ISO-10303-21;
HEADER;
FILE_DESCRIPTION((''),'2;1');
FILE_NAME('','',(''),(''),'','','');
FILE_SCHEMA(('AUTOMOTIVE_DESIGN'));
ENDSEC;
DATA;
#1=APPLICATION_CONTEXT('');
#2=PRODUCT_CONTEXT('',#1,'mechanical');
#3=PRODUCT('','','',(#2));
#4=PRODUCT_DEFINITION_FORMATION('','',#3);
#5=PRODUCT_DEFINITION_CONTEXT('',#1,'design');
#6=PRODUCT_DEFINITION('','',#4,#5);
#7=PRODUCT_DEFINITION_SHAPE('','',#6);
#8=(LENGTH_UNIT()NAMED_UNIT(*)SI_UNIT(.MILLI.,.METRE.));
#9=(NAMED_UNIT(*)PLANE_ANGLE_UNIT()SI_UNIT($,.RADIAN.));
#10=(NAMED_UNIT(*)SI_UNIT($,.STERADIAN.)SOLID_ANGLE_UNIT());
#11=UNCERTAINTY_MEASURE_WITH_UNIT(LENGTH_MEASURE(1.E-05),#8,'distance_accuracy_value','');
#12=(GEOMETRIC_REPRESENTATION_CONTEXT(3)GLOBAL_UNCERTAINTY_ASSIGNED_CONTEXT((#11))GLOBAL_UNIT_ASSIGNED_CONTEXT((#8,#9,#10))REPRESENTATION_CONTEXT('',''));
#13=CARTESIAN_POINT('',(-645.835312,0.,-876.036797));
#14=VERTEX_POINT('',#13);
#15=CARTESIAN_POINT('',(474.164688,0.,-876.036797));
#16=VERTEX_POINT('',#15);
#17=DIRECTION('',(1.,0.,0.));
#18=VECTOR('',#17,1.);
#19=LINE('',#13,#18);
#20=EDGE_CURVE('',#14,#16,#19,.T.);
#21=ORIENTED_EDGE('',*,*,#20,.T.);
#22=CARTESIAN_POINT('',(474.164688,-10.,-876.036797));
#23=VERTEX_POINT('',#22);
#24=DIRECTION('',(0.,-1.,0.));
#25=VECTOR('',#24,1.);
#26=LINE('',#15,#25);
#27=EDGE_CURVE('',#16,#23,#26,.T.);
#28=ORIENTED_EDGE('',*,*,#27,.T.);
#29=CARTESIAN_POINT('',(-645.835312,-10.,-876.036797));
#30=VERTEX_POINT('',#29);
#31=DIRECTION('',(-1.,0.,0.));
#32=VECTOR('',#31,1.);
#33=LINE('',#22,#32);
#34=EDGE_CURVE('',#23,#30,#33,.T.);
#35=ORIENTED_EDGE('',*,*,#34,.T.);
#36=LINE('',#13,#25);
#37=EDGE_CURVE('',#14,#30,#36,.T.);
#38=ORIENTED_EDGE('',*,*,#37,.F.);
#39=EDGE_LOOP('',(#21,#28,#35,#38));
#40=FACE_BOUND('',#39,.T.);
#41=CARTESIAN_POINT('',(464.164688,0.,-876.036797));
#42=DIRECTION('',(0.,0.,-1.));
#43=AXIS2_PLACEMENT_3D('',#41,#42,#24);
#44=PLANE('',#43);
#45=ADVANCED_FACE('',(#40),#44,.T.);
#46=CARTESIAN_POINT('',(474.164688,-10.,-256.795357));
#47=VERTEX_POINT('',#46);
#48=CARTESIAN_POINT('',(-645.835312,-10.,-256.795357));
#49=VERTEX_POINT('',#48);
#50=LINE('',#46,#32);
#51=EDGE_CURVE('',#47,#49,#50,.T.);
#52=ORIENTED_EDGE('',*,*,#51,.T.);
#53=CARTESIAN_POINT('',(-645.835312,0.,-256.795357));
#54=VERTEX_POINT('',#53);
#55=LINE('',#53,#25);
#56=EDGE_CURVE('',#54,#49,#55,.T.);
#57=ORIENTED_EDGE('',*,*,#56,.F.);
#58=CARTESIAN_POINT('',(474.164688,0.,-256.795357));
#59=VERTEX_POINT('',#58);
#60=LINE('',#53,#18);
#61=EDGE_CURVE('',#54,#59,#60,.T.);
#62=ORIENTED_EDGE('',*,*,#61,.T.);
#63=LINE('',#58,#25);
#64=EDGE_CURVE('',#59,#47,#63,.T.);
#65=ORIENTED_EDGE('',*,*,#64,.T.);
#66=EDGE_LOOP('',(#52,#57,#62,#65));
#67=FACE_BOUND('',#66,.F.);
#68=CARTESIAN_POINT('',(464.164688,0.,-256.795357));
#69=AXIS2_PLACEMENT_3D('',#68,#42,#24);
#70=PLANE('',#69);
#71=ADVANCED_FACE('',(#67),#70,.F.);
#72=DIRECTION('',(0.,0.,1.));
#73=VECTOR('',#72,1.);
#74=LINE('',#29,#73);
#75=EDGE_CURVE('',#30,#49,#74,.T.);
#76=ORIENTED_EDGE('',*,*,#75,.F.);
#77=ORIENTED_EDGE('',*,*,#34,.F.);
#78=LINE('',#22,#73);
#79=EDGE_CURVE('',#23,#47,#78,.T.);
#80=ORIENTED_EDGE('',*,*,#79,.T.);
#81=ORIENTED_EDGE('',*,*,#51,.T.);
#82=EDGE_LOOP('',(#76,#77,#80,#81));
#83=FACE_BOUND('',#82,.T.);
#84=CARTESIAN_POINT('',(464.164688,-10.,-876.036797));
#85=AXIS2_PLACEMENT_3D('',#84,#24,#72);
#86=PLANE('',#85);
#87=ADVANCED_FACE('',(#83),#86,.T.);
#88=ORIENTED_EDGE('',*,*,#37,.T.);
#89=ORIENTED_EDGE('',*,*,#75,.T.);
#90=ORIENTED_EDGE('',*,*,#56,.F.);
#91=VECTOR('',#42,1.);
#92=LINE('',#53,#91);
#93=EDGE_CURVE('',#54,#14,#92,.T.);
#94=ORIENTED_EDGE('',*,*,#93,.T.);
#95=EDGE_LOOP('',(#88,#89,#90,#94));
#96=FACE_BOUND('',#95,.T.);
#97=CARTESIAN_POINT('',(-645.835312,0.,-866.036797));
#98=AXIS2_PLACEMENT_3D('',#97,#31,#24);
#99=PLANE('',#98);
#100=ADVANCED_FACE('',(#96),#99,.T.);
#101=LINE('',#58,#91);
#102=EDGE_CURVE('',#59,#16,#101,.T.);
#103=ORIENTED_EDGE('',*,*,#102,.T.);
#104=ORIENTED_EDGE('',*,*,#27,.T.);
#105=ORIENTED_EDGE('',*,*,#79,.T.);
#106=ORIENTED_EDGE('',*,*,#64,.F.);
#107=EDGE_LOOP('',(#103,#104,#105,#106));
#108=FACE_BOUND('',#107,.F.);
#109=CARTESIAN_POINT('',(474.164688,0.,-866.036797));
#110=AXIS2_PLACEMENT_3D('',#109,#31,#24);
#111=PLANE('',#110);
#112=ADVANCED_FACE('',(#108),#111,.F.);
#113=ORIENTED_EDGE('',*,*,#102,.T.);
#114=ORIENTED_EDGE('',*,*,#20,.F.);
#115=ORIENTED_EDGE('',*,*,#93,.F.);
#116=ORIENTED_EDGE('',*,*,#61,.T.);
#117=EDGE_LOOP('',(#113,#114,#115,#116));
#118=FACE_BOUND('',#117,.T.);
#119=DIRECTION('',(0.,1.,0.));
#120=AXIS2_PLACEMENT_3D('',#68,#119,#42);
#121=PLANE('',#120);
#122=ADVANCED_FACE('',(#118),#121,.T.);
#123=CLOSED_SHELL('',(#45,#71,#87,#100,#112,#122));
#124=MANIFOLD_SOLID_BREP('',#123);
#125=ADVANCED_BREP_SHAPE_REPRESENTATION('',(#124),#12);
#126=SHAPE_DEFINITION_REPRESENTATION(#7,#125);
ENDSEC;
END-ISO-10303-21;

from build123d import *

# Parameters (mm, degrees)
F0_W     = 1100
F0_H     = 599.24144
F1_DEPTH = 10
F2_DEPTH = 10
F3_DEPTH = 10
F4_DEPTH = 10
F5_DEPTH = 10


with BuildPart() as f1:
    # F0 (on Front) → F1 (new body)
    with BuildSketch(Plane.XZ):
        with Locations((-85.8353115618, -566.4160771686)):
            Rectangle(F0_W, F0_H)
    extrude(amount=F1_DEPTH)

    # F2 (add): a face of the model
    f2_faces = [f1.faces().sort_by_distance(p)[0] for p in [
        (-85.8353115618, -5, -266.7953571686),
    ]]
    extrude(f2_faces, amount=F2_DEPTH)

    # F3 (add): a face of the model
    f3_faces = [f1.faces().sort_by_distance(p)[0] for p in [
        (-635.8353115618, -5, -561.4160771686),
    ]]
    extrude(f3_faces, amount=F3_DEPTH)

    # F4 (add): a face of the model
    f4_faces = [f1.faces().sort_by_distance(p)[0] for p in [
        (-90.8353115618, -5, -866.0367971686),
    ]]
    extrude(f4_faces, amount=F4_DEPTH)

    # F5 (add): a face of the model
    f5_faces = [f1.faces().sort_by_distance(p)[0] for p in [
        (464.1646884382, -5, -566.4160771686),
    ]]
    extrude(f5_faces, amount=F5_DEPTH)


solid = f1.part
